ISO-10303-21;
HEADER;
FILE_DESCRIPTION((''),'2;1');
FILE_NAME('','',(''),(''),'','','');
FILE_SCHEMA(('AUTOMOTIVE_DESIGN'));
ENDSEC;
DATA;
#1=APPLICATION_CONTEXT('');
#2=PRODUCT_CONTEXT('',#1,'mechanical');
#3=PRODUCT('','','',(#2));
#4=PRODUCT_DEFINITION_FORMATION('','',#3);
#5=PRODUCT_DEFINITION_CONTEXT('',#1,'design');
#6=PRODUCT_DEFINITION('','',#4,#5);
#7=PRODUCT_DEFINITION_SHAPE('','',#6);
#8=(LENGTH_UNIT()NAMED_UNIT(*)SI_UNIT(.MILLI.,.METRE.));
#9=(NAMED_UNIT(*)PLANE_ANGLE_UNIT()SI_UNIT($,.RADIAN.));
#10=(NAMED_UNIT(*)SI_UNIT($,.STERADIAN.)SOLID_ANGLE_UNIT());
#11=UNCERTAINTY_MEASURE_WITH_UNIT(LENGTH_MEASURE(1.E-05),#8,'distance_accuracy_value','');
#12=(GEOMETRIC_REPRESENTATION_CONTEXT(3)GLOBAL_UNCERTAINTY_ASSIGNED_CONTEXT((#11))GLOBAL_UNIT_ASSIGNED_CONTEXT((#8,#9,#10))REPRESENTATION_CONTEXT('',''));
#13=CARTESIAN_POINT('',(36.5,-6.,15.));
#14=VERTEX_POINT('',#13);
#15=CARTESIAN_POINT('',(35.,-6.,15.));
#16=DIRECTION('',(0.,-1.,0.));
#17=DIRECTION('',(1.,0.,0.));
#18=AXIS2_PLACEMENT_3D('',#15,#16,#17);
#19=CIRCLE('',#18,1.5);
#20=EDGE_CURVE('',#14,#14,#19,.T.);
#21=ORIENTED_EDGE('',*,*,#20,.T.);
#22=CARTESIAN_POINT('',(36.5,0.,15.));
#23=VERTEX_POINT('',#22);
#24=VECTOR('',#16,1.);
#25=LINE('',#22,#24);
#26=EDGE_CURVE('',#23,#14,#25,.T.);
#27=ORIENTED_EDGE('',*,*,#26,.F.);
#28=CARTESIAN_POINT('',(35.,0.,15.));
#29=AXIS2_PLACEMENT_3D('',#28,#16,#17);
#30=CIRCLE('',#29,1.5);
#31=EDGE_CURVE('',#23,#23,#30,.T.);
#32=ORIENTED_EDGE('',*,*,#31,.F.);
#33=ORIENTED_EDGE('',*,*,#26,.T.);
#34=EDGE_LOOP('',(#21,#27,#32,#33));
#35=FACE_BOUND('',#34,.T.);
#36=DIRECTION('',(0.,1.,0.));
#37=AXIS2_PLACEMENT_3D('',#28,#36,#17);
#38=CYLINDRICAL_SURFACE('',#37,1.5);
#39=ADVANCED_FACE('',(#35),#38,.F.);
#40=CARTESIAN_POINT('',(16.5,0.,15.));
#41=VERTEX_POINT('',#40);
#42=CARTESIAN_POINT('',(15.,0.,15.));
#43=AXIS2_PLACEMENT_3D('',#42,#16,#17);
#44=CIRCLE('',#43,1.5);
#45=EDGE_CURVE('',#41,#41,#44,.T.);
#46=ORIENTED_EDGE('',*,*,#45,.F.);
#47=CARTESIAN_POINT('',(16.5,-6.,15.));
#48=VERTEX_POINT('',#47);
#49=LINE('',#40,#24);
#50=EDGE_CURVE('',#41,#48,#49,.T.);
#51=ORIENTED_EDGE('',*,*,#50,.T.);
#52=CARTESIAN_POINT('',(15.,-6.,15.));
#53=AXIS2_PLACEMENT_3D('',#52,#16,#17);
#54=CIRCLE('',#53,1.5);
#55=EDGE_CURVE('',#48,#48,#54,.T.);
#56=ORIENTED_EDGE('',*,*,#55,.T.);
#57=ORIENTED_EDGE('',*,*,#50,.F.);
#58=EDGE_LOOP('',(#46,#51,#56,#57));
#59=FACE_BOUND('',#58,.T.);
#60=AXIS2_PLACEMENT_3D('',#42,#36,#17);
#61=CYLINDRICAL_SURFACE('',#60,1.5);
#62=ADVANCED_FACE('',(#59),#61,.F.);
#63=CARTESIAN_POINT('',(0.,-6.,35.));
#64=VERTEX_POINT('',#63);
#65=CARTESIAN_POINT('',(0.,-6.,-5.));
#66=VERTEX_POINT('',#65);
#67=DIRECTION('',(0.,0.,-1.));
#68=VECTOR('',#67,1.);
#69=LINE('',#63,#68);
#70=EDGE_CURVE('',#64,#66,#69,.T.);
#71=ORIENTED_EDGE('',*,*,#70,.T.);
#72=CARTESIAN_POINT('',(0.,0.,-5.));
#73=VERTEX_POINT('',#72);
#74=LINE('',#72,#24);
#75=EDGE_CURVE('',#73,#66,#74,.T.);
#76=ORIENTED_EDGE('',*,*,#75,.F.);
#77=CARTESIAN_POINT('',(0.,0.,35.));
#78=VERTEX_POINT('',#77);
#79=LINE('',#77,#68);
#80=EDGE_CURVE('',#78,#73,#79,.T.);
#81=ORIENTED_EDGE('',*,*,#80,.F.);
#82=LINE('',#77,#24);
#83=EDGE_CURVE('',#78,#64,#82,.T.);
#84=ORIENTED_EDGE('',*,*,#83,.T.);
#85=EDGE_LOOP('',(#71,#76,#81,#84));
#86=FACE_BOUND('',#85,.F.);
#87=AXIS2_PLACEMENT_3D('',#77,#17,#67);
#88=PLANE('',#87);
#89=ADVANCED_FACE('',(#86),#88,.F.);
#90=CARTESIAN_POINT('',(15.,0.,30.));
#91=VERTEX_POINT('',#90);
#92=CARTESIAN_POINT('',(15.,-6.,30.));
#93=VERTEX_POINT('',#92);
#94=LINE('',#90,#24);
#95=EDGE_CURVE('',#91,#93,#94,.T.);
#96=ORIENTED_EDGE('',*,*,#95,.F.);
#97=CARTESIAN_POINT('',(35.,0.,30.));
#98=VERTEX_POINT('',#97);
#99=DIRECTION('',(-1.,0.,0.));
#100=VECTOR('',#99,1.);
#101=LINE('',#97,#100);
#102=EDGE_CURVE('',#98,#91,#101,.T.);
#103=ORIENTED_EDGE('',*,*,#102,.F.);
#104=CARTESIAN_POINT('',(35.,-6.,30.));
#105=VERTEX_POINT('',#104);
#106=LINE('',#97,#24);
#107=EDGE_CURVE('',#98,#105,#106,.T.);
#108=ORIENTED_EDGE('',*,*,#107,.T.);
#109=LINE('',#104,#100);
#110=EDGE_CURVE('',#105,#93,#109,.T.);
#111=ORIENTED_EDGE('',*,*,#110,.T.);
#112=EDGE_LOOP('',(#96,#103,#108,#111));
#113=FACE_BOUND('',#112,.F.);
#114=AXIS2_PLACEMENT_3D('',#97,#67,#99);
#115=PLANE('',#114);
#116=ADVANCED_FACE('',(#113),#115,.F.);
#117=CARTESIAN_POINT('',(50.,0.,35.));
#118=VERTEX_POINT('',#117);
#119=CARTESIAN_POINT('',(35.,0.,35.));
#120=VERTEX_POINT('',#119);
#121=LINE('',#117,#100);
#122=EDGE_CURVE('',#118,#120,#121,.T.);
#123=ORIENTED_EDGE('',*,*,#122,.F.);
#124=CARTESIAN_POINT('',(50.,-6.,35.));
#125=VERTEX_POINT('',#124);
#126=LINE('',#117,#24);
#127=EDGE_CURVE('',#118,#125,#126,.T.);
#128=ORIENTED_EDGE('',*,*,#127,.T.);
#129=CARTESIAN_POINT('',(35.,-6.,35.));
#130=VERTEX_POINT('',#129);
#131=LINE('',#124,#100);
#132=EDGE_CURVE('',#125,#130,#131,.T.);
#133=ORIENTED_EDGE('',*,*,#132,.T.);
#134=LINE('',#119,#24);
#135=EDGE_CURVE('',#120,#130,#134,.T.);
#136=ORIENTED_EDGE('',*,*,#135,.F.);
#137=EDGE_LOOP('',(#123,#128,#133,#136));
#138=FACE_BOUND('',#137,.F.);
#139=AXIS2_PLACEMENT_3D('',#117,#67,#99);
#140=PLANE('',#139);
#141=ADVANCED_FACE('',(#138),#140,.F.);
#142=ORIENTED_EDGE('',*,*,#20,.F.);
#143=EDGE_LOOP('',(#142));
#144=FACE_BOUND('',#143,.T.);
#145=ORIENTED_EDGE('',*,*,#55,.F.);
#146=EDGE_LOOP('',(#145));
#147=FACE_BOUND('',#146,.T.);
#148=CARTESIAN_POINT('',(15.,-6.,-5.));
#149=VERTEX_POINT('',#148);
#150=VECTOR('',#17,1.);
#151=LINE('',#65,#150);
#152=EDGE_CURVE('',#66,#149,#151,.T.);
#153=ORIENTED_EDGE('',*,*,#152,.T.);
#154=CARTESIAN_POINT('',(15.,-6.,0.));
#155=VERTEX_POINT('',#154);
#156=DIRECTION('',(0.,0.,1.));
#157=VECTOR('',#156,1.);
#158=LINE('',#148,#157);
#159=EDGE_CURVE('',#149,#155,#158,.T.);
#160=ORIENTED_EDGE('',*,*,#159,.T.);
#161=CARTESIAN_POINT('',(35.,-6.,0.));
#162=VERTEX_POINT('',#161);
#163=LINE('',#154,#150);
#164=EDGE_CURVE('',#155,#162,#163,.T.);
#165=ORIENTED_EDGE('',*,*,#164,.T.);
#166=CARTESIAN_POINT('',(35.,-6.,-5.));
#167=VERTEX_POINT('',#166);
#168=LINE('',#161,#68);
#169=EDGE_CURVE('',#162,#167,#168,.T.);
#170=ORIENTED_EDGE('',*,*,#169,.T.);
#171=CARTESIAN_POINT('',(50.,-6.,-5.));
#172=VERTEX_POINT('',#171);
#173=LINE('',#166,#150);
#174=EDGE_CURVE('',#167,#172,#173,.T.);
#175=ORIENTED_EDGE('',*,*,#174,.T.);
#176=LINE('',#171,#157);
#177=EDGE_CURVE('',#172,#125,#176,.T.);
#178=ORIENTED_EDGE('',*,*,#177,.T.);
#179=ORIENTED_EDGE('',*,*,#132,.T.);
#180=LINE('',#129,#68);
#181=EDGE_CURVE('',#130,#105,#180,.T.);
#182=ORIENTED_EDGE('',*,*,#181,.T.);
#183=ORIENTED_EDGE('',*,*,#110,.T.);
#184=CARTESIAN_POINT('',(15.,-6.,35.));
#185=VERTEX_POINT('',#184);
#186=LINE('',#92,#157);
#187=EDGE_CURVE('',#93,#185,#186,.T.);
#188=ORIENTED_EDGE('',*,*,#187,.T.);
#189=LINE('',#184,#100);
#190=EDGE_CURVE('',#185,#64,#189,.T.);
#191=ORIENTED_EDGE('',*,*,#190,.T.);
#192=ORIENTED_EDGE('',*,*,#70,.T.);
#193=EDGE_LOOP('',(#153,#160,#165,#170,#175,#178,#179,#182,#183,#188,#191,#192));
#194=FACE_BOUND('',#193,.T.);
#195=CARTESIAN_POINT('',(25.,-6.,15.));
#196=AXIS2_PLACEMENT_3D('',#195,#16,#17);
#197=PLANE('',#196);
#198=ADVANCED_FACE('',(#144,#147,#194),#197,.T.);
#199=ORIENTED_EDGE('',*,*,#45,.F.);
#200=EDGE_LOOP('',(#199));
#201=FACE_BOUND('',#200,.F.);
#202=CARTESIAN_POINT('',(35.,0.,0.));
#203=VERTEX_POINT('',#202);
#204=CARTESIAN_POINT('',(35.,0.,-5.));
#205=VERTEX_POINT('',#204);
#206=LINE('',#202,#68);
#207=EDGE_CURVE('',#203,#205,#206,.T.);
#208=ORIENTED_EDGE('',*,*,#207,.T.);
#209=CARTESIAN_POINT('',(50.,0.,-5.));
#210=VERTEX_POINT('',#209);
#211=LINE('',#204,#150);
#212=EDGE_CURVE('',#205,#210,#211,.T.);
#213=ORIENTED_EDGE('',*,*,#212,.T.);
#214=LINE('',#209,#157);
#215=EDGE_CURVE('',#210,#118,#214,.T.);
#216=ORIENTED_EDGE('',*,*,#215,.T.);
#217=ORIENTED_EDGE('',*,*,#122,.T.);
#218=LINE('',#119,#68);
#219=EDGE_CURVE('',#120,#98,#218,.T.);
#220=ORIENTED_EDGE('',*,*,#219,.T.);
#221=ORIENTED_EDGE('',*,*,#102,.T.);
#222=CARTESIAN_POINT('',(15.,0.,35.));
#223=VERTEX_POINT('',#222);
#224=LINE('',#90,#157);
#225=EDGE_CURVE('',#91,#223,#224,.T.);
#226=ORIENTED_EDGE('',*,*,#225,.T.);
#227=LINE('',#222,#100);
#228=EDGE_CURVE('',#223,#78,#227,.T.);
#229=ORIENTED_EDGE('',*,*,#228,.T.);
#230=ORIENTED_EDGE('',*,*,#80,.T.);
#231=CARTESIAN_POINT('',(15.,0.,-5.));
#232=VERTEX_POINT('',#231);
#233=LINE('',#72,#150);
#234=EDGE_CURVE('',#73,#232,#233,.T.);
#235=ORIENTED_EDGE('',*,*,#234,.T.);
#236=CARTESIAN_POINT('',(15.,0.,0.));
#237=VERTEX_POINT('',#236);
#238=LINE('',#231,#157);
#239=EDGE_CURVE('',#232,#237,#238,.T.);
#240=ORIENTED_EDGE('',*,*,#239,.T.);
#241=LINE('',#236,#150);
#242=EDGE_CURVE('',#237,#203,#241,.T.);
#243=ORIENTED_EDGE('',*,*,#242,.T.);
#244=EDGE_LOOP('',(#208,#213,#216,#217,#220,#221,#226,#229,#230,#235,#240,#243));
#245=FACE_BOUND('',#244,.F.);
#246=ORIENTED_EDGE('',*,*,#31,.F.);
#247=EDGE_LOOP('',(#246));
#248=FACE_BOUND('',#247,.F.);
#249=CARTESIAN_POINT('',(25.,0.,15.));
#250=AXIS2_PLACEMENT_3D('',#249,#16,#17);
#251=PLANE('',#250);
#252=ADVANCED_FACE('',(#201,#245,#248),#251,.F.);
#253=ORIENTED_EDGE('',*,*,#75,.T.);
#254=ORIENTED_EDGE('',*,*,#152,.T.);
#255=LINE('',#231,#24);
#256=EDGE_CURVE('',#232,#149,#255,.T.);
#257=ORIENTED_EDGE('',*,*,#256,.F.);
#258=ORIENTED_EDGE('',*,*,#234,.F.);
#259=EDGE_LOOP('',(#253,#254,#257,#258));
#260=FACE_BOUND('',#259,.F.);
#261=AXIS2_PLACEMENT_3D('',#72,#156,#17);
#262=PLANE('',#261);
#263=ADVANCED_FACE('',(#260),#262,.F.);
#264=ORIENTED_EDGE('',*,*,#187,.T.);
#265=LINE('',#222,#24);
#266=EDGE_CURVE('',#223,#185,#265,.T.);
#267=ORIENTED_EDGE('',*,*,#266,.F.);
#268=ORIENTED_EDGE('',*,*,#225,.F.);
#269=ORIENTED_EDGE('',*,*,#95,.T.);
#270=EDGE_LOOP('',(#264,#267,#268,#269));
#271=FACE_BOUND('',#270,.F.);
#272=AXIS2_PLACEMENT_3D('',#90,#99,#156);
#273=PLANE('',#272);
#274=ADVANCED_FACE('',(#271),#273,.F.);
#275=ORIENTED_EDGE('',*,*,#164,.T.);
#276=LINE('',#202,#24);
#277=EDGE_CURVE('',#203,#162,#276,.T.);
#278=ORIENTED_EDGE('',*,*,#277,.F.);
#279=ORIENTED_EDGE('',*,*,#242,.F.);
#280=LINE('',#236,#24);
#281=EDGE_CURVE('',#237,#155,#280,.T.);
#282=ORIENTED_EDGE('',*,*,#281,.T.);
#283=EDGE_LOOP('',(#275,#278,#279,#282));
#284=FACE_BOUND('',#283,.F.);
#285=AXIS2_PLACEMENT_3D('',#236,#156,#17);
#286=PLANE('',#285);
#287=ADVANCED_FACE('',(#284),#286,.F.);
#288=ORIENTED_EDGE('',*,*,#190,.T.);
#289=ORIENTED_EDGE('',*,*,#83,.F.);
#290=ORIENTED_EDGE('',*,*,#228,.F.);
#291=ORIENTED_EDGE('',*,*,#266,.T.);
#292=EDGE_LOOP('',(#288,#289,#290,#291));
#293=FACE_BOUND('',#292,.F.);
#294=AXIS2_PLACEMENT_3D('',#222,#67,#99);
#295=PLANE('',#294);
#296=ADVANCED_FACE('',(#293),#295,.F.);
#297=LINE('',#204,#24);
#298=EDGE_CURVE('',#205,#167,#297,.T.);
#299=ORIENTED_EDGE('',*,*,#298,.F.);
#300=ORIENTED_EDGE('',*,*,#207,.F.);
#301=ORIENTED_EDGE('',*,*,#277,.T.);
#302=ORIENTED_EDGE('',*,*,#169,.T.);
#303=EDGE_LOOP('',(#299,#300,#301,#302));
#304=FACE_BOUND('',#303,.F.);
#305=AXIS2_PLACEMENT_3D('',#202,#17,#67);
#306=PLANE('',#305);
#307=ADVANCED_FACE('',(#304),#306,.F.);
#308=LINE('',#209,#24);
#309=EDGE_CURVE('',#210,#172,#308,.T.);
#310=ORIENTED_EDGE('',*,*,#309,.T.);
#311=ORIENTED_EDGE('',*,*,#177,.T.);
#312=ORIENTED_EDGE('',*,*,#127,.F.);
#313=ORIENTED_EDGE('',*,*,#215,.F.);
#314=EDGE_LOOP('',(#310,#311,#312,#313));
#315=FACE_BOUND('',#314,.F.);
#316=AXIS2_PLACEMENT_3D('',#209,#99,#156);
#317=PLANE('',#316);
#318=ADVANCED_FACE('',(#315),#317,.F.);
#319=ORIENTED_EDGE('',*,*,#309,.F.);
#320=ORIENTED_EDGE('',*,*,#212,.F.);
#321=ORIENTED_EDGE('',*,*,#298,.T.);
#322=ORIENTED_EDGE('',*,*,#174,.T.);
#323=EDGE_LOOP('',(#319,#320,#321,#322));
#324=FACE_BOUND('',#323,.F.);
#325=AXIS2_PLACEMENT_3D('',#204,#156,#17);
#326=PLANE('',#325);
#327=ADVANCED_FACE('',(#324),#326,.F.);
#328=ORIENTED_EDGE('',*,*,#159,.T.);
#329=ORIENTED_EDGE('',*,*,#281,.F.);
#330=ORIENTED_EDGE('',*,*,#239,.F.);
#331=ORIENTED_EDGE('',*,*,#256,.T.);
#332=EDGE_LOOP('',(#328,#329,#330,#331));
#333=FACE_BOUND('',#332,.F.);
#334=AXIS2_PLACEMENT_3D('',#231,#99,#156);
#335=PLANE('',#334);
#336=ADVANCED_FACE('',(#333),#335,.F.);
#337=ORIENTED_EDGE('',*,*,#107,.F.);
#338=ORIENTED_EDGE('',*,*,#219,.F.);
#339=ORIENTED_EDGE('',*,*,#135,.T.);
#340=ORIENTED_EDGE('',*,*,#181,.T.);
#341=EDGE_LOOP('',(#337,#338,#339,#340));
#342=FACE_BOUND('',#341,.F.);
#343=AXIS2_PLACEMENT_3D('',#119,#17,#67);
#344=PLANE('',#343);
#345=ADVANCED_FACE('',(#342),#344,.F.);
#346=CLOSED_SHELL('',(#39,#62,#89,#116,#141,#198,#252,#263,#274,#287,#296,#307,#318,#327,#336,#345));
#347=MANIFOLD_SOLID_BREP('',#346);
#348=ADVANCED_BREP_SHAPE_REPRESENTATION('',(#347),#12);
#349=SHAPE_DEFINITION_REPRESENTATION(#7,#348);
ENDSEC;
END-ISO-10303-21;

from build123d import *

# Parameters (mm, degrees)
F0_R     = 1.5
F1_DEPTH = 6


with BuildPart() as f1:
    # F0 (on Front) → F1 (new body)
    with BuildSketch(Plane.XZ):
        Polygon((15, -5), (15, 0), (35, 0), (35, -5), (50, -5), (50, 0), (50, 30), (50, 35), (35, 35), (35, 30), (15, 30), (15, 35), (0, 35), (0, 30), (0, 0), (0, -5), align=None)
        with Locations((15, 15)):
            Circle(F0_R, mode=Mode.SUBTRACT)
        with Locations((35, 15)):
            Circle(F0_R, mode=Mode.SUBTRACT)
    extrude(amount=F1_DEPTH)


solid = f1.part
